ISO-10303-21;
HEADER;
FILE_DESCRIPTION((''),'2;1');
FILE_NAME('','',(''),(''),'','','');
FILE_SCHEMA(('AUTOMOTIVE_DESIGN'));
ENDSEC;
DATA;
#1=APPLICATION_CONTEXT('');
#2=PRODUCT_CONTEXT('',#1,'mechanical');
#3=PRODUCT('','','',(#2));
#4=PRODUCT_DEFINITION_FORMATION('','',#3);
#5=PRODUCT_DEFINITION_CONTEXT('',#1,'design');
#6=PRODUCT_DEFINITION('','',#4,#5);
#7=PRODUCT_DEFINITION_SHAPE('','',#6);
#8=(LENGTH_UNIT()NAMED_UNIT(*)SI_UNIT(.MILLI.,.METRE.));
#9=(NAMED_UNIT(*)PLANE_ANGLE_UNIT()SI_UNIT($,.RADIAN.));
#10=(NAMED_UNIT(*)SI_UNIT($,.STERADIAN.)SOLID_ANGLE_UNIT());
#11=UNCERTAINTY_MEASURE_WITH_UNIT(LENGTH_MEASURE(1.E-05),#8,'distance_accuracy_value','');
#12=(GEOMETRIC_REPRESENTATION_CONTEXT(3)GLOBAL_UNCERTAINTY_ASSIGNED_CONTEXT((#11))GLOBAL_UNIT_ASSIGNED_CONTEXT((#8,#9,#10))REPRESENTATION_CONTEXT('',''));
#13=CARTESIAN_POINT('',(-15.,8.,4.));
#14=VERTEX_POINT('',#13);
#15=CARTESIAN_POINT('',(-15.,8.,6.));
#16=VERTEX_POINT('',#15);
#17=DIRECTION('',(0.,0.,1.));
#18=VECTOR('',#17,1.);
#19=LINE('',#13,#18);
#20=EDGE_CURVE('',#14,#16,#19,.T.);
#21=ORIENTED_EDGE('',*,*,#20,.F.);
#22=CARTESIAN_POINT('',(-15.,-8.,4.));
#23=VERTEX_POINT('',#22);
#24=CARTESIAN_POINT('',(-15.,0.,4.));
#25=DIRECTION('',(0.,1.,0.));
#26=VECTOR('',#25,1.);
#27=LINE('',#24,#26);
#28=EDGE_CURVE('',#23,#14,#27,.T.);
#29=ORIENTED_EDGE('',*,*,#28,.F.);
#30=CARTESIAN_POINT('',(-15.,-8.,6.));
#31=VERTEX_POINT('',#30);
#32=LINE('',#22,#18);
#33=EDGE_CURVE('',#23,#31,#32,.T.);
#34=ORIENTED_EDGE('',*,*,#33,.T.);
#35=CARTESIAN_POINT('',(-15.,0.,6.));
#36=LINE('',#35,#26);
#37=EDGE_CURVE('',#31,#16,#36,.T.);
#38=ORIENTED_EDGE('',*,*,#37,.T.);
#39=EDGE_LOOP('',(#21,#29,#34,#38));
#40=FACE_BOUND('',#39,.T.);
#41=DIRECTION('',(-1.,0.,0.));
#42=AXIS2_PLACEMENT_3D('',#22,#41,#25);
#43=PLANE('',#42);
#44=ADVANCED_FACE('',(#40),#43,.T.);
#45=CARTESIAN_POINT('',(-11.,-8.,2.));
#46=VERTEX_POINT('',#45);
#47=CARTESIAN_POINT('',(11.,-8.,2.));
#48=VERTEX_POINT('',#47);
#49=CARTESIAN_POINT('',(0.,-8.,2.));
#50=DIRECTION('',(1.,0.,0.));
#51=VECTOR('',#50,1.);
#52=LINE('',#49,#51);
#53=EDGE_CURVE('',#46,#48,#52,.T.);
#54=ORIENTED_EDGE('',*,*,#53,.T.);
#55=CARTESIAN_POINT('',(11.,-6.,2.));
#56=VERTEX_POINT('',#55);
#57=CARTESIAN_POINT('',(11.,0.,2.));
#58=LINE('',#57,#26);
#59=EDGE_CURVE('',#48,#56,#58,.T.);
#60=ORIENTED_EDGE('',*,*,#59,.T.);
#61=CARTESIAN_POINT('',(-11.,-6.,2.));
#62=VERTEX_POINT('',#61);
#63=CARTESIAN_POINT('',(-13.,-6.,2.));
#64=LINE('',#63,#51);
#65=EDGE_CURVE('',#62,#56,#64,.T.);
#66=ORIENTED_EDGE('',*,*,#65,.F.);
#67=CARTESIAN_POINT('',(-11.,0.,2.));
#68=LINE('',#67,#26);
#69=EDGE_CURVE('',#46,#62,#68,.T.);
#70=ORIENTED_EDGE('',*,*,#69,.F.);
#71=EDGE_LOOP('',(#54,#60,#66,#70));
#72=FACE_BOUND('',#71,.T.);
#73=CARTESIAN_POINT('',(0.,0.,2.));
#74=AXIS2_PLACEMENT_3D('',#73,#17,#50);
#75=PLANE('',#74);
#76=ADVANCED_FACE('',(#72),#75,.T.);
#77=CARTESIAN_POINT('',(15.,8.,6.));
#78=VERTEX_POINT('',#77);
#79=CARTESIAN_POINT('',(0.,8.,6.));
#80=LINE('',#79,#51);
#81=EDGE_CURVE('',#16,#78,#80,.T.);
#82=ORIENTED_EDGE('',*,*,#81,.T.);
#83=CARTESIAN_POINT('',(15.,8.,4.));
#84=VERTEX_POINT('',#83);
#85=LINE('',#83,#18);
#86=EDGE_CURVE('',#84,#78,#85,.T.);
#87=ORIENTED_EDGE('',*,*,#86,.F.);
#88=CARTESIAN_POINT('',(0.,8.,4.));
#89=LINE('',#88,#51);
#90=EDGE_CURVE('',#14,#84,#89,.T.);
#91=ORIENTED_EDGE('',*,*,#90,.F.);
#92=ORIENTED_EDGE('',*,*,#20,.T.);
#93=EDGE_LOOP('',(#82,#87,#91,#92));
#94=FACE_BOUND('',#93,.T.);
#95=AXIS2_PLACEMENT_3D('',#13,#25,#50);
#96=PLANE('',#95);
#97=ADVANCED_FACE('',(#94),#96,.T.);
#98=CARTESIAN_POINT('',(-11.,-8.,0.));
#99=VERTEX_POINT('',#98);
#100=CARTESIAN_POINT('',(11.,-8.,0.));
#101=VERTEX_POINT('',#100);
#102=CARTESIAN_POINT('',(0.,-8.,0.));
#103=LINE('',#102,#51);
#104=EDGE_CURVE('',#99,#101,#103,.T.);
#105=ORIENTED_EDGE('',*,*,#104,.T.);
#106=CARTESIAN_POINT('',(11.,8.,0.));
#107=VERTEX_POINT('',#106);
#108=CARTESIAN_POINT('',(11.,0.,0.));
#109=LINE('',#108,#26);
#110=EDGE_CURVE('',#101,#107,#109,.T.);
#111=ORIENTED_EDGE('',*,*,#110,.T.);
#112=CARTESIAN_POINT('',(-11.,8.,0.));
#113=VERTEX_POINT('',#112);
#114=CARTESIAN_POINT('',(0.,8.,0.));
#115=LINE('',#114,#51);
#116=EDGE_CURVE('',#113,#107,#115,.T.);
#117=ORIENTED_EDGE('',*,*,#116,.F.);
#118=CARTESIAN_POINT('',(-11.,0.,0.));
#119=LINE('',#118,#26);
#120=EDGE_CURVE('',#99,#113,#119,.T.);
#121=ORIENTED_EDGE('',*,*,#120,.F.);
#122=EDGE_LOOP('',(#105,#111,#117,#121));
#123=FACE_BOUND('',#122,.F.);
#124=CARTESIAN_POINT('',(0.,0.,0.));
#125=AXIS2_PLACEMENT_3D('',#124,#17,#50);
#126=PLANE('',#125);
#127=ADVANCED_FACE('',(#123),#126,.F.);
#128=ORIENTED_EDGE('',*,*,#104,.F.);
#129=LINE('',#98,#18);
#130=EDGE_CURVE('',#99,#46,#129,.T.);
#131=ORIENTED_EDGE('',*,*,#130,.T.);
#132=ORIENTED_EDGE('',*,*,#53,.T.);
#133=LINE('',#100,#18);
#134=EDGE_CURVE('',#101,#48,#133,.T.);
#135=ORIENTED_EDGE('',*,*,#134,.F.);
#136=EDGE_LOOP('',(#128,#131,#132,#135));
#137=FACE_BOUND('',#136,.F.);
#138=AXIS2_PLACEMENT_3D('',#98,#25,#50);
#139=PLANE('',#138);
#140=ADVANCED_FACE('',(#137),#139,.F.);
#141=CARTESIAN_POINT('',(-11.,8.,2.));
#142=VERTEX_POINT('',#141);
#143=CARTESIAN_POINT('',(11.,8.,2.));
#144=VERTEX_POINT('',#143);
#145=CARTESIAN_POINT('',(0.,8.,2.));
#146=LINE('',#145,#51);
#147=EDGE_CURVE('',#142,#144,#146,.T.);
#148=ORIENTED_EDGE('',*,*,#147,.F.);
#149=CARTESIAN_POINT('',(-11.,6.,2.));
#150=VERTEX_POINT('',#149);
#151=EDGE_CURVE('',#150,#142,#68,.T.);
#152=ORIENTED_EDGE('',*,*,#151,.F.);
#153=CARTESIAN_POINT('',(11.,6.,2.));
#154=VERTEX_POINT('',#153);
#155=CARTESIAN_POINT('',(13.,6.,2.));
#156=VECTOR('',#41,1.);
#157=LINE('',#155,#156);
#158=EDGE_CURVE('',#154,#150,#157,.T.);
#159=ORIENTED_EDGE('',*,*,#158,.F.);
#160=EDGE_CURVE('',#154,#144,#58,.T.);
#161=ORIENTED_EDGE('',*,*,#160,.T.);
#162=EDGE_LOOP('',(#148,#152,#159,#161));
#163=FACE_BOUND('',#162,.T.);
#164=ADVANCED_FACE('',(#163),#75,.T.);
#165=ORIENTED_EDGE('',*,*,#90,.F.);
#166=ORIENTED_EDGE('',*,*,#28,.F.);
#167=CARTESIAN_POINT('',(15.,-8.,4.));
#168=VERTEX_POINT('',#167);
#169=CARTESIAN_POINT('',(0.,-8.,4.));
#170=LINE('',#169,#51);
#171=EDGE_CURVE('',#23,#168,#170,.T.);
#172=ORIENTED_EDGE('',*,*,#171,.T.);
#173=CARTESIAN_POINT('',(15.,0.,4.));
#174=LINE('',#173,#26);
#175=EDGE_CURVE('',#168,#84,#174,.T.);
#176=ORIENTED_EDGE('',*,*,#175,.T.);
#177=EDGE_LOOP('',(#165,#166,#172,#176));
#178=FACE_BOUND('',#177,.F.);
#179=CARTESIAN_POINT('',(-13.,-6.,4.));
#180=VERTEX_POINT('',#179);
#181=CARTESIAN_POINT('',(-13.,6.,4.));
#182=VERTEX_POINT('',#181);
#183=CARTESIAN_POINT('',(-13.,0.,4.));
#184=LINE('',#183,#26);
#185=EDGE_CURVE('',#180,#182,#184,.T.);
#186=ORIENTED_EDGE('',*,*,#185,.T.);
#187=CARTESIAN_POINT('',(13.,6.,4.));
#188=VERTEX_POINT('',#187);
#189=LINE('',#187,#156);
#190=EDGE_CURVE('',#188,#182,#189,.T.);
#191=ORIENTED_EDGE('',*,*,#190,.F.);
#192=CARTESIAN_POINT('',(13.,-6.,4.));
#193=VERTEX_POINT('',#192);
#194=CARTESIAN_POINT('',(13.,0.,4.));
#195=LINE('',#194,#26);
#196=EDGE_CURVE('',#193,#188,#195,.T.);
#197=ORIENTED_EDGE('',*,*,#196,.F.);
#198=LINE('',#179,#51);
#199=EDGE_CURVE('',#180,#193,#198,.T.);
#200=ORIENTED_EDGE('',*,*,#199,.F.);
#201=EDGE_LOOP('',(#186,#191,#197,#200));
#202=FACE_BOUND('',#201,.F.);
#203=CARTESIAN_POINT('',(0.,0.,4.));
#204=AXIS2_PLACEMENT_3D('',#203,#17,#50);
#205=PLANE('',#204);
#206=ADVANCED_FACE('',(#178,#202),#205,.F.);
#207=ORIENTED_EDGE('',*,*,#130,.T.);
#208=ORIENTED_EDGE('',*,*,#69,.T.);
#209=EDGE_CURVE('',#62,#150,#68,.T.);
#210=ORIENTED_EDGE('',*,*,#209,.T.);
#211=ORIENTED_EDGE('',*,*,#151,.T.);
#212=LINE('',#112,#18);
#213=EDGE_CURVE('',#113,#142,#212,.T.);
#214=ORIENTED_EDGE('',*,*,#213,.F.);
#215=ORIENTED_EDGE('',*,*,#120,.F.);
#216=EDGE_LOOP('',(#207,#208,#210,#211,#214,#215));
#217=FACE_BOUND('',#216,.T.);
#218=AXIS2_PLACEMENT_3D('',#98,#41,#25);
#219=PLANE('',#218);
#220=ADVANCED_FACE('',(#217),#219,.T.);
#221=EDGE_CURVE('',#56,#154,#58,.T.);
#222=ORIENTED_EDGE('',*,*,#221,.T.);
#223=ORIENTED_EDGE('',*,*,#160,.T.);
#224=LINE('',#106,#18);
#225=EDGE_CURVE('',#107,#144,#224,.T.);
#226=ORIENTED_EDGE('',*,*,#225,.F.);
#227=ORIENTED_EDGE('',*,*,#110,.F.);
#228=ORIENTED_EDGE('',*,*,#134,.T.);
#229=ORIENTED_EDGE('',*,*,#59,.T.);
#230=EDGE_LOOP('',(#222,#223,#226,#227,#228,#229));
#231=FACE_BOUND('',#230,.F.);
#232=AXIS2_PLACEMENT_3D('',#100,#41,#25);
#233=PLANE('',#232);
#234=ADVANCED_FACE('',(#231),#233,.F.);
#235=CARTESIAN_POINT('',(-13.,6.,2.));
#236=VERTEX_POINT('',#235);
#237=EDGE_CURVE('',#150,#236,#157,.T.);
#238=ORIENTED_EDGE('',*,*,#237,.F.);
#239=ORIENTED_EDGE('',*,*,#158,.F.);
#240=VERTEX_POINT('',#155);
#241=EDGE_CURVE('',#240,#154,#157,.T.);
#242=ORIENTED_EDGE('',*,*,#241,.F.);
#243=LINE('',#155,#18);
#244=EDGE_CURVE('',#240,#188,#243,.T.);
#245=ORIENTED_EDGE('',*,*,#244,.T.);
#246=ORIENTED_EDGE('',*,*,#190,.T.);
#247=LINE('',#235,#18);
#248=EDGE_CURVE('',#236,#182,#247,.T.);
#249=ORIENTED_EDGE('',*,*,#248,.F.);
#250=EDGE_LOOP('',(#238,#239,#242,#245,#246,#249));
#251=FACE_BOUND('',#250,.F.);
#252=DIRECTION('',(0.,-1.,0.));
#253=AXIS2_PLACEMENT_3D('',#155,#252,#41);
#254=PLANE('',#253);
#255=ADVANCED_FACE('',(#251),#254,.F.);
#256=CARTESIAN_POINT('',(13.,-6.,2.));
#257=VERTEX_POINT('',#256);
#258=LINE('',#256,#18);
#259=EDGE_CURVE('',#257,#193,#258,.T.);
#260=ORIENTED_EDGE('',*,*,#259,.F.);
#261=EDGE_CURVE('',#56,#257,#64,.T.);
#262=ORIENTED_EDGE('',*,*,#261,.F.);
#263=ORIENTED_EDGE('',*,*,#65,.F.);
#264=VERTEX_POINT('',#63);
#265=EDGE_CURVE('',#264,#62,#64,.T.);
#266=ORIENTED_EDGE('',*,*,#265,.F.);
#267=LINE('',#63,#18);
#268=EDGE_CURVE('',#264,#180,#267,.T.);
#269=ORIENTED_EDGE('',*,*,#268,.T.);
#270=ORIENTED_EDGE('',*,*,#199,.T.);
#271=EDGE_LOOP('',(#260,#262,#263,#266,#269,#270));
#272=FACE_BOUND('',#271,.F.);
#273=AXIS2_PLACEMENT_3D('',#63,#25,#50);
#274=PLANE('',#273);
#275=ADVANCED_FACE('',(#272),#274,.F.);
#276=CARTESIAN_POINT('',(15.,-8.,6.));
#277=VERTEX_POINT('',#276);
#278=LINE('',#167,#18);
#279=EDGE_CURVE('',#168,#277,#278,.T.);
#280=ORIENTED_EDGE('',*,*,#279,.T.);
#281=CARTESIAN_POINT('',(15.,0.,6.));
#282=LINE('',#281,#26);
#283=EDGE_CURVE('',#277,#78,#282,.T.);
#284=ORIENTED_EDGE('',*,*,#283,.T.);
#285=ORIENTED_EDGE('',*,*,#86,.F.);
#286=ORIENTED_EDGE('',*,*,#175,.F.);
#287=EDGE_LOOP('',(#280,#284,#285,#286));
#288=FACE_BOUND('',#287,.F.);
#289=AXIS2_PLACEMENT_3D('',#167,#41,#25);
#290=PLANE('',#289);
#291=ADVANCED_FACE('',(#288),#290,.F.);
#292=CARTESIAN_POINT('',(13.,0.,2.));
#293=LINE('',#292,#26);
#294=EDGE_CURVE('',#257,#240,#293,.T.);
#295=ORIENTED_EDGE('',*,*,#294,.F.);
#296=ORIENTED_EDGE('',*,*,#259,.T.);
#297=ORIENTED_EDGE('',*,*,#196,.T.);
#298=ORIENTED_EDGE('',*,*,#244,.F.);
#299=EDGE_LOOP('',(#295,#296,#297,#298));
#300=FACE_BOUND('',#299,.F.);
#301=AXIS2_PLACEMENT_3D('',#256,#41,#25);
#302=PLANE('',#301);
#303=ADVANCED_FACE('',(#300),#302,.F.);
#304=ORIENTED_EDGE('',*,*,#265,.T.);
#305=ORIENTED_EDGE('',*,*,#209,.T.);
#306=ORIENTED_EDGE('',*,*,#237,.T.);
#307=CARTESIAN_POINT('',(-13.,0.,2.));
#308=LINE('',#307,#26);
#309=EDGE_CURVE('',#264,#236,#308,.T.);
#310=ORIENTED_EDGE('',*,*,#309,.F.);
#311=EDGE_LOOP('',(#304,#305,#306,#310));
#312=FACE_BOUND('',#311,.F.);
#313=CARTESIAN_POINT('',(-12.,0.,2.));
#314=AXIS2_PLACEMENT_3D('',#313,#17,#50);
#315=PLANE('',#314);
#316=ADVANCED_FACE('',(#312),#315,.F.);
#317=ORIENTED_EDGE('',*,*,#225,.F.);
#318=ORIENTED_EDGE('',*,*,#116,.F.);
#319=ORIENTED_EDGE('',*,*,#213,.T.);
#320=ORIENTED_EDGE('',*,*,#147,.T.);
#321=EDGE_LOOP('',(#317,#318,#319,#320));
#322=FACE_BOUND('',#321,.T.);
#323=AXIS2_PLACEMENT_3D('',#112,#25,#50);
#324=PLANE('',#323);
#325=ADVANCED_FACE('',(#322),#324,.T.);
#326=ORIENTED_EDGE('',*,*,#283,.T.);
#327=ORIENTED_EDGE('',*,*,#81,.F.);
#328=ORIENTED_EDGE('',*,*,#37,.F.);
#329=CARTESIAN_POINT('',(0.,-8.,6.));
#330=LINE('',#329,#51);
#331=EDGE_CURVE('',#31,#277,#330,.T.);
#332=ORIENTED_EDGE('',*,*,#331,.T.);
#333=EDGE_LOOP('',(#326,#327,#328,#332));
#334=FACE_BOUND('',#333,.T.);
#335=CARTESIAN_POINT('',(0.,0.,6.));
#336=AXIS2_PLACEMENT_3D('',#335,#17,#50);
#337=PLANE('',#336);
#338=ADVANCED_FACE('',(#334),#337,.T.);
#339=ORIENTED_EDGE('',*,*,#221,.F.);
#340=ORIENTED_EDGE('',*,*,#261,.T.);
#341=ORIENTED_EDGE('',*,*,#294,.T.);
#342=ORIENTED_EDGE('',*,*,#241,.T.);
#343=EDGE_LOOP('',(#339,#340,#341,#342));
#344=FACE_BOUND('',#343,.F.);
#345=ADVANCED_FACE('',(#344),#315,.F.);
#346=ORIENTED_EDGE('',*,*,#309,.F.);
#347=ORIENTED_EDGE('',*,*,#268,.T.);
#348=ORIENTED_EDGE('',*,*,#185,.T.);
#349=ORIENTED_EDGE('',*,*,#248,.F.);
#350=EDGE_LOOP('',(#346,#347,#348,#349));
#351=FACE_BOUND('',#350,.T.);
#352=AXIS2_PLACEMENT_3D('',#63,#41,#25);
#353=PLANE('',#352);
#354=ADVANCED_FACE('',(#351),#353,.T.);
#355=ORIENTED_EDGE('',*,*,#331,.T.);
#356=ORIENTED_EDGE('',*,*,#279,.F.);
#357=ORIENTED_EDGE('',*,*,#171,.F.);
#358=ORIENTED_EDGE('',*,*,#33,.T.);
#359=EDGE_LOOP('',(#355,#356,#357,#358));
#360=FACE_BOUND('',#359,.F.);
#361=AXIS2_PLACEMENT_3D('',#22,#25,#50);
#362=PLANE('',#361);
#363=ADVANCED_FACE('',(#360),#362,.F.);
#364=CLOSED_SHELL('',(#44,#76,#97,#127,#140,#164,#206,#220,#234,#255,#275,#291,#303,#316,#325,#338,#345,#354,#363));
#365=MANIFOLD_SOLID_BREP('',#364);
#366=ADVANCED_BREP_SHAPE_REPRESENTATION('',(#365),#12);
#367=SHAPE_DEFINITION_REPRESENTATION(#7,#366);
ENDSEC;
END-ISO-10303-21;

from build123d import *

# Parameters (mm, degrees)
F1_W     = 22
F1_H     = 16
F2_DEPTH = 2
F3_W     = 2
F3_H     = 12
F3_W_2   = 22
F4_DEPTH = 2
F5_W     = 30
F5_H     = 16
F5_W_2   = 26
F5_H_2   = 12
F6_DEPTH = 2


with BuildPart() as f2:
    # F1 (on Top) → F2 (new body)
    with BuildSketch(Plane.XY):
        Rectangle(F1_W, F1_H)
    extrude(amount=F2_DEPTH)

    # F3 (on face) → F4 (join)
    with BuildSketch(Plane.XY.offset(2)):
        with Locations((-12, 0)):
            Rectangle(F3_W, F3_H)
        Rectangle(F3_W_2, F3_H)
        with Locations((12, 0)):
            Rectangle(F3_W, F3_H)
    extrude(amount=F4_DEPTH)

    # F5 (on face) → F6 (join)
    with BuildSketch(Plane.XY.offset(4)):
        Rectangle(F5_W, F5_H)
        Rectangle(F5_W_2, F5_H_2, mode=Mode.SUBTRACT)
        Rectangle(F5_W_2, F5_H_2)
    extrude(amount=F6_DEPTH)


solid = f2.part
